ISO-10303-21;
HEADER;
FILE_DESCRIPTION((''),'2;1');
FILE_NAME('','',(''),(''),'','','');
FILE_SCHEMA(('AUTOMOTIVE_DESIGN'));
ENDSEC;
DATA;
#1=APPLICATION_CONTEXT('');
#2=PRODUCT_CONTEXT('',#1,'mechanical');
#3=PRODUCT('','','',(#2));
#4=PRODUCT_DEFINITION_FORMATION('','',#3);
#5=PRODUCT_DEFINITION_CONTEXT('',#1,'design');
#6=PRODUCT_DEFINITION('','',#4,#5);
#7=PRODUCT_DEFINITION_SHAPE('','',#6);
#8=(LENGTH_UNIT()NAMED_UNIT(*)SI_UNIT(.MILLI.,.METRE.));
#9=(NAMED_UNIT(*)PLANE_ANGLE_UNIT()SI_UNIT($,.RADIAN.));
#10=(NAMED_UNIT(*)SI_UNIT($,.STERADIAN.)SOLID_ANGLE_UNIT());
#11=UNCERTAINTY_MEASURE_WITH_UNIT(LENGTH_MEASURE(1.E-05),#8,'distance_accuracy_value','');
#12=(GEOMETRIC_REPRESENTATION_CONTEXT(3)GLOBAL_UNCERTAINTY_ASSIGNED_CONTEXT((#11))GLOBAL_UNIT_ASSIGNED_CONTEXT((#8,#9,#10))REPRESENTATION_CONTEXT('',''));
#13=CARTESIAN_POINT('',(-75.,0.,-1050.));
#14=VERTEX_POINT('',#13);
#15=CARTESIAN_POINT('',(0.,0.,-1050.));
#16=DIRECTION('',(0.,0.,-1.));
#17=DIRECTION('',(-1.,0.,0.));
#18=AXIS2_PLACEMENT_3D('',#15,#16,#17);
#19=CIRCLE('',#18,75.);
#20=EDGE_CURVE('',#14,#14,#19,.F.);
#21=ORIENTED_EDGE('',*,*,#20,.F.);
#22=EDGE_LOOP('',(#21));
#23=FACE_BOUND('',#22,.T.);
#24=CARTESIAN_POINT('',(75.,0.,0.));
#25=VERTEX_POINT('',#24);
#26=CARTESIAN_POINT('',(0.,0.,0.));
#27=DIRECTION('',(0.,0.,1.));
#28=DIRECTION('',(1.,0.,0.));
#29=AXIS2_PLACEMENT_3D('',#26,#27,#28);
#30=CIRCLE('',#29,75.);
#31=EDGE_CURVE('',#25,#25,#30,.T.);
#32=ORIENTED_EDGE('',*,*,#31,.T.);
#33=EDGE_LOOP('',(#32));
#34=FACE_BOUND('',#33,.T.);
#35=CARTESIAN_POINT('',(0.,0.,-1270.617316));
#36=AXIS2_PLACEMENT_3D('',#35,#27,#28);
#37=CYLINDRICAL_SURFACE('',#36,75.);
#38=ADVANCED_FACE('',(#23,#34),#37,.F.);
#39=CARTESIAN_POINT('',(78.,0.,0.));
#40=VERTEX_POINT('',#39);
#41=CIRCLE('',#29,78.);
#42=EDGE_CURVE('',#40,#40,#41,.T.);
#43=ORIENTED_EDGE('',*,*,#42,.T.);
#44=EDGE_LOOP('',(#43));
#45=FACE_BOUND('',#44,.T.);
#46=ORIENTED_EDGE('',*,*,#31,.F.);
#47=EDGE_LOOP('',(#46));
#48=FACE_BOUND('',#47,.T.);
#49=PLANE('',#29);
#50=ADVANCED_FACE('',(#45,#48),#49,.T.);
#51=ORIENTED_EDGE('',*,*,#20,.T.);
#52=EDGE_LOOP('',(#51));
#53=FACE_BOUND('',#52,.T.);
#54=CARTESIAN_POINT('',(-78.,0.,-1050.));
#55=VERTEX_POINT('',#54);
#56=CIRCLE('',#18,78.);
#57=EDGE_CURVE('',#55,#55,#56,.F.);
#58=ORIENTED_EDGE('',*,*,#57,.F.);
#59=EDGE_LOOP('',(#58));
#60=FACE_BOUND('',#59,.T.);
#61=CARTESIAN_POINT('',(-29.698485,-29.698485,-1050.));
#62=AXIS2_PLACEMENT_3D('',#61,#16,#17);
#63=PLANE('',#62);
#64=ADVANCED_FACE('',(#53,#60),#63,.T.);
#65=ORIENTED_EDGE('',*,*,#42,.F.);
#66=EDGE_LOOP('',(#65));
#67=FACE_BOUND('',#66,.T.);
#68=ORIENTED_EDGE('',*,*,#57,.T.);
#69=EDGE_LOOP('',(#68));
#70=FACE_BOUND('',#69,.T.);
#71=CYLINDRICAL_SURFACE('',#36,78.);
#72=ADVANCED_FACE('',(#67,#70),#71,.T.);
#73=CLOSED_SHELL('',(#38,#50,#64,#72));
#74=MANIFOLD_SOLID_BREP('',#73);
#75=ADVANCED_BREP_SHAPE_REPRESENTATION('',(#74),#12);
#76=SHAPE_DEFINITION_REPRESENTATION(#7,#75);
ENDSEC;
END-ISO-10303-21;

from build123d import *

# Parameters (mm, degrees)
SKETCH1_R           = 78
SKETCH1_R_2         = 75
BOSS_EXTRUDE1_DEPTH = 1050


with BuildPart() as part:
    # Sketch1 → Boss-Extrude1 (new body)
    with BuildSketch(Plane.XY):
        Circle(SKETCH1_R)
        Circle(SKETCH1_R_2, mode=Mode.SUBTRACT)
    extrude(amount=-BOSS_EXTRUDE1_DEPTH)


solid = part.part
